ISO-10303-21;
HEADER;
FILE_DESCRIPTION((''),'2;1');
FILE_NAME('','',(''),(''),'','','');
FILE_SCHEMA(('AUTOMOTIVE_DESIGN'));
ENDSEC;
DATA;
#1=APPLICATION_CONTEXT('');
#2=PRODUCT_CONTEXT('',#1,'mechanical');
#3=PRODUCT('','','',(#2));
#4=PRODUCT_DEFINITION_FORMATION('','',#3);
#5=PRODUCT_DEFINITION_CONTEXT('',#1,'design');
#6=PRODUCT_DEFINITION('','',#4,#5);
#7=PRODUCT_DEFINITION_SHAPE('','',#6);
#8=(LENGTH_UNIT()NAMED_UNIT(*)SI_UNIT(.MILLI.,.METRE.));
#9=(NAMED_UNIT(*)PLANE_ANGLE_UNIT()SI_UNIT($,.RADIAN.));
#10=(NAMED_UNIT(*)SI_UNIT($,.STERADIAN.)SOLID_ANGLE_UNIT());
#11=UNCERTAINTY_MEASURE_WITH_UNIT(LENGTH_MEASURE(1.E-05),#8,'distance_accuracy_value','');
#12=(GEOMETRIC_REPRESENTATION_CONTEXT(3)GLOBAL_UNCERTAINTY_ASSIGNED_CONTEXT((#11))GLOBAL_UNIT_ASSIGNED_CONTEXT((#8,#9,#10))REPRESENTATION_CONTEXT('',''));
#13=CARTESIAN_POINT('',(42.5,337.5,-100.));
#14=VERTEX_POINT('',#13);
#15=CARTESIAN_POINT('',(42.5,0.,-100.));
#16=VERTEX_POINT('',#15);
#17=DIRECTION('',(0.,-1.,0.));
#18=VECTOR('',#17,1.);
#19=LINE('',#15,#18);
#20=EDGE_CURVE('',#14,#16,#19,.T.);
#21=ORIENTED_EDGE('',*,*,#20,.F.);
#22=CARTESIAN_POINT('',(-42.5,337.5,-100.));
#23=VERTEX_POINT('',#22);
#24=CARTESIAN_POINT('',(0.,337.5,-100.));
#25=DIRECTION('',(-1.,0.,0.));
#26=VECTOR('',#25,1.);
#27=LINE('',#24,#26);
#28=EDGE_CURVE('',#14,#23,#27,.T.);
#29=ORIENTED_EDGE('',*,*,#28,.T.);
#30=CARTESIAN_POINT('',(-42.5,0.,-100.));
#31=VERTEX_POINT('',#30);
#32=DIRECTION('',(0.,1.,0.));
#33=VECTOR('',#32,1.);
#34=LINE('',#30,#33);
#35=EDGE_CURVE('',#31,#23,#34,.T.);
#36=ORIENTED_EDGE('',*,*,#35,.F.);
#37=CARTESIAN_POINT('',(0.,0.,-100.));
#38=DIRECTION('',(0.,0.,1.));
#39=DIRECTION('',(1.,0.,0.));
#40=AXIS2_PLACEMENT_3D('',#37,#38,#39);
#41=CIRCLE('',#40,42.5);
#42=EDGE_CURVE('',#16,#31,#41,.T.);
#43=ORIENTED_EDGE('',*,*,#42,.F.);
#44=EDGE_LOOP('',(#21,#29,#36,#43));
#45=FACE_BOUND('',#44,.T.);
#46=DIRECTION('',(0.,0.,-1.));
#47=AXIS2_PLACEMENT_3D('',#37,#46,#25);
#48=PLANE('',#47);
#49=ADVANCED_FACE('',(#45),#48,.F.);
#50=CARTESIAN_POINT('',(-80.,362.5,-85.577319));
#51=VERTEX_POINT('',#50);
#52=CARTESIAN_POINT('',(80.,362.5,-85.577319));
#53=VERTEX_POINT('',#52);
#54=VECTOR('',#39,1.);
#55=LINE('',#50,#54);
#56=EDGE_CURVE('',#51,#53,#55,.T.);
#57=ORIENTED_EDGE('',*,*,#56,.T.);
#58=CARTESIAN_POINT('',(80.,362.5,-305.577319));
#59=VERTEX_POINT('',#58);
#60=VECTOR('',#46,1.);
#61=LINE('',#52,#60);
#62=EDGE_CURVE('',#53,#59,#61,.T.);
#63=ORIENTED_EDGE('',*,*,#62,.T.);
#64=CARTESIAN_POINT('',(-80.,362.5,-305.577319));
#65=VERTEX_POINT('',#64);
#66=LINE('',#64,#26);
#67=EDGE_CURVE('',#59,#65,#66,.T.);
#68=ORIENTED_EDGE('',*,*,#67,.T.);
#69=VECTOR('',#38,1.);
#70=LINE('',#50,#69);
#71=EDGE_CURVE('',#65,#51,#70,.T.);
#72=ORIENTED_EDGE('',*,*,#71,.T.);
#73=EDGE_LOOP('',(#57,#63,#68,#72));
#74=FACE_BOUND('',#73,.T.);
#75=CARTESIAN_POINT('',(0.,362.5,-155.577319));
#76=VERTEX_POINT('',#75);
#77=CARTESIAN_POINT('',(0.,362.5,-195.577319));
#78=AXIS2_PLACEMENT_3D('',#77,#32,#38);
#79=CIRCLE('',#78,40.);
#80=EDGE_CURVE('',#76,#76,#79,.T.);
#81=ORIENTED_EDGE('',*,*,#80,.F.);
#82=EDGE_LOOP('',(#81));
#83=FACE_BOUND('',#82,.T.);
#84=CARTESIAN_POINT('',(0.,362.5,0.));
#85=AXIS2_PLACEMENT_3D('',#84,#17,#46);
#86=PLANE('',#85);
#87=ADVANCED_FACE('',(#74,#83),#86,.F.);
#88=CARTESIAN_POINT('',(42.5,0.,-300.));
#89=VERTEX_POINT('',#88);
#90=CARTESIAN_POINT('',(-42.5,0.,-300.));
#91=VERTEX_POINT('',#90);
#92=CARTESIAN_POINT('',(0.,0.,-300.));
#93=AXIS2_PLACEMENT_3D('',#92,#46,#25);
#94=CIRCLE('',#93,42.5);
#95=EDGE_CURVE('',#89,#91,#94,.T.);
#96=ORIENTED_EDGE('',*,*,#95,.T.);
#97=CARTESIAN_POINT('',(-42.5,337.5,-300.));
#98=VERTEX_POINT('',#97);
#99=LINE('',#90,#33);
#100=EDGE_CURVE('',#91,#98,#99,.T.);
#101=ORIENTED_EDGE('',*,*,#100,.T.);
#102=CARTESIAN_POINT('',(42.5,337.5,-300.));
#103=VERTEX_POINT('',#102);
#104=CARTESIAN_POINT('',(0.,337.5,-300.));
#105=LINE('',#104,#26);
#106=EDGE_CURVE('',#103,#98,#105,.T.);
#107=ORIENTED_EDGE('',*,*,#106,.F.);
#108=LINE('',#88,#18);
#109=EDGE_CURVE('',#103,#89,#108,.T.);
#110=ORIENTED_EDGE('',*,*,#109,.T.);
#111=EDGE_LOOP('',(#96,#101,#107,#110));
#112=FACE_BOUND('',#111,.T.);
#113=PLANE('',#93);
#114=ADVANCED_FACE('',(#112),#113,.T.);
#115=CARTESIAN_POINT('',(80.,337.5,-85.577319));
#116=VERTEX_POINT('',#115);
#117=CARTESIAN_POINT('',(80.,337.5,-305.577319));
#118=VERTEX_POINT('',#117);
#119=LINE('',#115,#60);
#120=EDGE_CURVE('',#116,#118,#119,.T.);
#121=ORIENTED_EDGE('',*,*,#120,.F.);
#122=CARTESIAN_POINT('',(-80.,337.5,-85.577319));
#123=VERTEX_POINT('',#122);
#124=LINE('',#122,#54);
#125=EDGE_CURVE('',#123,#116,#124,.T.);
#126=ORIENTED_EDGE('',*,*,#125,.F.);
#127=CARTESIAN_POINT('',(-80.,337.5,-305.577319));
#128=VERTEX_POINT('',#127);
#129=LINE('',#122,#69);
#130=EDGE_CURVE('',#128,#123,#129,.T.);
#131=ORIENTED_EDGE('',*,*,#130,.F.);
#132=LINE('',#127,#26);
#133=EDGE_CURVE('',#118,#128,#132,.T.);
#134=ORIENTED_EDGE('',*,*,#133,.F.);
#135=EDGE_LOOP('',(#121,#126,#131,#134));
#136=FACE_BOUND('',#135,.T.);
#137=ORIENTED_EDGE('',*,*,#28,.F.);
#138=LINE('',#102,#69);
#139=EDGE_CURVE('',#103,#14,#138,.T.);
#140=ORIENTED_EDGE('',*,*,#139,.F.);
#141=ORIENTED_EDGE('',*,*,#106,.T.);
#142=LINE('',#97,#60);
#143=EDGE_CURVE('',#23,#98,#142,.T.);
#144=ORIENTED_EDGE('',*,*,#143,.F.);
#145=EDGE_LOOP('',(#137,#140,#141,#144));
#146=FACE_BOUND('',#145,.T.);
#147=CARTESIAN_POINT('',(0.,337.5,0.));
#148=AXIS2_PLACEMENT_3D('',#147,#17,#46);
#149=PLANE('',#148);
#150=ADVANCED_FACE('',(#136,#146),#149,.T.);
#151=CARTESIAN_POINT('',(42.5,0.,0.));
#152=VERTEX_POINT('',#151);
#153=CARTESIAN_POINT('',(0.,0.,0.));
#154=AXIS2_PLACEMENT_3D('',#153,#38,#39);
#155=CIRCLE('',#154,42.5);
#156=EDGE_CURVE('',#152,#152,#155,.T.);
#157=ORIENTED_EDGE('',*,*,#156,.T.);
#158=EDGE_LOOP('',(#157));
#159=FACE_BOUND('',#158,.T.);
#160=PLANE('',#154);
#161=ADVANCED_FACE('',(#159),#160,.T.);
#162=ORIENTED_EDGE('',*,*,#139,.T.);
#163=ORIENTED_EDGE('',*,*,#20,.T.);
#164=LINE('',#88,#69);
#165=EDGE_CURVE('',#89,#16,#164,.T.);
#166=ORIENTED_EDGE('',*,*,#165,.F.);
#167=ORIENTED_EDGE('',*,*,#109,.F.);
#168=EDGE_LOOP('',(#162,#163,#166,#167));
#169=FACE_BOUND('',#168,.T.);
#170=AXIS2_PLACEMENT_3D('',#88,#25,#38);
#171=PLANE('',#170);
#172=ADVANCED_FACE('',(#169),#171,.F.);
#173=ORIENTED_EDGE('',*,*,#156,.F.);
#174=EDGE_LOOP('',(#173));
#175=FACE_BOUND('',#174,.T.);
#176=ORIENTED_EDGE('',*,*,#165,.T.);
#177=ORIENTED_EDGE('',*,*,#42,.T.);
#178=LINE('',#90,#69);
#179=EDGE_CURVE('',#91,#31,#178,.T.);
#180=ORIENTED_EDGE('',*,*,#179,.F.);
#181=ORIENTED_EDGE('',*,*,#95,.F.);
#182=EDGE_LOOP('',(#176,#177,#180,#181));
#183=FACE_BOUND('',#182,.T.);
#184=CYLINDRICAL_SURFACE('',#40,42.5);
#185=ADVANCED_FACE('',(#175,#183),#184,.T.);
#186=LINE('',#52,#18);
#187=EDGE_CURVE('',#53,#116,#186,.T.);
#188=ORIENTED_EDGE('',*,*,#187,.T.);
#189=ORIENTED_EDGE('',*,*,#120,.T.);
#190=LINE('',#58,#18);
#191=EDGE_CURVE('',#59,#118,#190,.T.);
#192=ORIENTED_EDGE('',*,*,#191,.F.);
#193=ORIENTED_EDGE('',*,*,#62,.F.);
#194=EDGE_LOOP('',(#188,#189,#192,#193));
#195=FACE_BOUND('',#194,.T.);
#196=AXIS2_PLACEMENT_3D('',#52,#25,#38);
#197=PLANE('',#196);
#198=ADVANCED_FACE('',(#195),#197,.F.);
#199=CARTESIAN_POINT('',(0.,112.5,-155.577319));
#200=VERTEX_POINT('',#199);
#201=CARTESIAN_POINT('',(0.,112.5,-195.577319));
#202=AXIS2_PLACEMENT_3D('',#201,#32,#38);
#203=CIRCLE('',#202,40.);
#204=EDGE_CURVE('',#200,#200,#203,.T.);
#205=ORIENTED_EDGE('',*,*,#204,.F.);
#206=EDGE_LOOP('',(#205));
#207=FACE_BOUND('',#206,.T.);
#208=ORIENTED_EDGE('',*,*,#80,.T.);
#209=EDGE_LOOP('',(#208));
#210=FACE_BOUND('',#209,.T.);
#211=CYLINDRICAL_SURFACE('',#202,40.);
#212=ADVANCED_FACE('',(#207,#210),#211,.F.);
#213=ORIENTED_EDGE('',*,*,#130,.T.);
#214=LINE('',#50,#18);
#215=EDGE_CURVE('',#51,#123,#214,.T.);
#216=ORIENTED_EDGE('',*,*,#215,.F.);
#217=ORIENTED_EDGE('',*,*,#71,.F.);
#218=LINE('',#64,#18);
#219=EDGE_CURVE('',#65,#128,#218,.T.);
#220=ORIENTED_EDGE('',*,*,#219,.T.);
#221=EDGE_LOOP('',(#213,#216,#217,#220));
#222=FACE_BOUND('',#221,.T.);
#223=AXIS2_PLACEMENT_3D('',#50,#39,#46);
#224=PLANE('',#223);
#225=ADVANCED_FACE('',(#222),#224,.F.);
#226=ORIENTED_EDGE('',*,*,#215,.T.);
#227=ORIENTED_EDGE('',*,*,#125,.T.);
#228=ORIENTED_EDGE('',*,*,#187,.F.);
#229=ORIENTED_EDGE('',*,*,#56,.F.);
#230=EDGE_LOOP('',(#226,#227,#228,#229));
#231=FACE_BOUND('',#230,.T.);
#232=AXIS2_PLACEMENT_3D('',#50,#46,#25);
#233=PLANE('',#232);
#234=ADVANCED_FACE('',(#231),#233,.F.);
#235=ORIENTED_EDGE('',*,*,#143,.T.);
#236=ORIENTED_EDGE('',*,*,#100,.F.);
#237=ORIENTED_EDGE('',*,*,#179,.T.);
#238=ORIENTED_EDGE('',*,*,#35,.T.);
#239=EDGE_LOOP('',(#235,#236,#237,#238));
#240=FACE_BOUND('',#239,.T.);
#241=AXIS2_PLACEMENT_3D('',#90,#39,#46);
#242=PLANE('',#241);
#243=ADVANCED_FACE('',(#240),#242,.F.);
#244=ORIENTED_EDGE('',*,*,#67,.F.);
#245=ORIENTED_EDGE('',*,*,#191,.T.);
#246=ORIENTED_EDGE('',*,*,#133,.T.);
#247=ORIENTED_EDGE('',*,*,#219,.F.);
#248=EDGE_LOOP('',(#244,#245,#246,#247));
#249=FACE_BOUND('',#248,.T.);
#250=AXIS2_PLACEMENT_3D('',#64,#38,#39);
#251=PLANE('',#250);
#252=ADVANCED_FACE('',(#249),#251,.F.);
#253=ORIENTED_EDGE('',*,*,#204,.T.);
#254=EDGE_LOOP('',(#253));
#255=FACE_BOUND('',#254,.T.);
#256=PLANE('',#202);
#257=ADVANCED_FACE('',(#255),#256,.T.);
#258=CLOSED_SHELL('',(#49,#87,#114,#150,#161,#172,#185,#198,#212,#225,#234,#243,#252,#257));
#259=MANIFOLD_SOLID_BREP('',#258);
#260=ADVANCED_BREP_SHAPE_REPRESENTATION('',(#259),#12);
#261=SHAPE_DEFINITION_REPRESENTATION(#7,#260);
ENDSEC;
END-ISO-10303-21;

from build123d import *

# Parameters (mm, degrees)
SKETCH1_R           = 42.5
BOSS_EXTRUDE1_DEPTH = 100
BOSS_EXTRUDE2_DEPTH = 200
SKETCH5_W           = 160
SKETCH5_H           = 220
BOSS_EXTRUDE4_DEPTH = 12.5
SKETCH6_R           = 40
CUT_EXTRUDE1_DEPTH  = 250


with BuildPart() as part:
    # Sketch1 → Boss-Extrude1 (new body)
    with BuildSketch(Plane.XY):
        Circle(SKETCH1_R)
    extrude(amount=-BOSS_EXTRUDE1_DEPTH)

    # Sketch2 → Boss-Extrude2 (add)
    with BuildSketch(Plane(origin=(0, 0, -100), x_dir=(-1, 0, 0), z_dir=(0, 0, -1))):
        with BuildLine():
            Line((-42.5, 350), (42.5, 350))
            Line((42.5, 350), (42.5, 0))
            ThreePointArc((42.5, 0), (0, -42.5), (-42.5, 0))
            Line((-42.5, 0), (-42.5, 350))
        make_face()
    extrude(amount=BOSS_EXTRUDE2_DEPTH)

    # Sketch5 → Boss-Extrude4 (add, symmetric)
    with BuildSketch(Plane(origin=(0, 350, 104.422680699), x_dir=(1, 0, 0), z_dir=(0, 1, 0))):
        with Locations((0, 300)):
            Rectangle(SKETCH5_W, SKETCH5_H)
    extrude(amount=BOSS_EXTRUDE4_DEPTH, both=True)

    # Sketch6 → Cut-Extrude1 (cut)
    with BuildSketch(Plane(origin=(0, 362.5, 104.422680699), x_dir=(1, 0, 0), z_dir=(0, 1, 0))):
        with Locations((0, 300)):
            Circle(SKETCH6_R)
    extrude(amount=-CUT_EXTRUDE1_DEPTH, mode=Mode.SUBTRACT)


solid = part.part
